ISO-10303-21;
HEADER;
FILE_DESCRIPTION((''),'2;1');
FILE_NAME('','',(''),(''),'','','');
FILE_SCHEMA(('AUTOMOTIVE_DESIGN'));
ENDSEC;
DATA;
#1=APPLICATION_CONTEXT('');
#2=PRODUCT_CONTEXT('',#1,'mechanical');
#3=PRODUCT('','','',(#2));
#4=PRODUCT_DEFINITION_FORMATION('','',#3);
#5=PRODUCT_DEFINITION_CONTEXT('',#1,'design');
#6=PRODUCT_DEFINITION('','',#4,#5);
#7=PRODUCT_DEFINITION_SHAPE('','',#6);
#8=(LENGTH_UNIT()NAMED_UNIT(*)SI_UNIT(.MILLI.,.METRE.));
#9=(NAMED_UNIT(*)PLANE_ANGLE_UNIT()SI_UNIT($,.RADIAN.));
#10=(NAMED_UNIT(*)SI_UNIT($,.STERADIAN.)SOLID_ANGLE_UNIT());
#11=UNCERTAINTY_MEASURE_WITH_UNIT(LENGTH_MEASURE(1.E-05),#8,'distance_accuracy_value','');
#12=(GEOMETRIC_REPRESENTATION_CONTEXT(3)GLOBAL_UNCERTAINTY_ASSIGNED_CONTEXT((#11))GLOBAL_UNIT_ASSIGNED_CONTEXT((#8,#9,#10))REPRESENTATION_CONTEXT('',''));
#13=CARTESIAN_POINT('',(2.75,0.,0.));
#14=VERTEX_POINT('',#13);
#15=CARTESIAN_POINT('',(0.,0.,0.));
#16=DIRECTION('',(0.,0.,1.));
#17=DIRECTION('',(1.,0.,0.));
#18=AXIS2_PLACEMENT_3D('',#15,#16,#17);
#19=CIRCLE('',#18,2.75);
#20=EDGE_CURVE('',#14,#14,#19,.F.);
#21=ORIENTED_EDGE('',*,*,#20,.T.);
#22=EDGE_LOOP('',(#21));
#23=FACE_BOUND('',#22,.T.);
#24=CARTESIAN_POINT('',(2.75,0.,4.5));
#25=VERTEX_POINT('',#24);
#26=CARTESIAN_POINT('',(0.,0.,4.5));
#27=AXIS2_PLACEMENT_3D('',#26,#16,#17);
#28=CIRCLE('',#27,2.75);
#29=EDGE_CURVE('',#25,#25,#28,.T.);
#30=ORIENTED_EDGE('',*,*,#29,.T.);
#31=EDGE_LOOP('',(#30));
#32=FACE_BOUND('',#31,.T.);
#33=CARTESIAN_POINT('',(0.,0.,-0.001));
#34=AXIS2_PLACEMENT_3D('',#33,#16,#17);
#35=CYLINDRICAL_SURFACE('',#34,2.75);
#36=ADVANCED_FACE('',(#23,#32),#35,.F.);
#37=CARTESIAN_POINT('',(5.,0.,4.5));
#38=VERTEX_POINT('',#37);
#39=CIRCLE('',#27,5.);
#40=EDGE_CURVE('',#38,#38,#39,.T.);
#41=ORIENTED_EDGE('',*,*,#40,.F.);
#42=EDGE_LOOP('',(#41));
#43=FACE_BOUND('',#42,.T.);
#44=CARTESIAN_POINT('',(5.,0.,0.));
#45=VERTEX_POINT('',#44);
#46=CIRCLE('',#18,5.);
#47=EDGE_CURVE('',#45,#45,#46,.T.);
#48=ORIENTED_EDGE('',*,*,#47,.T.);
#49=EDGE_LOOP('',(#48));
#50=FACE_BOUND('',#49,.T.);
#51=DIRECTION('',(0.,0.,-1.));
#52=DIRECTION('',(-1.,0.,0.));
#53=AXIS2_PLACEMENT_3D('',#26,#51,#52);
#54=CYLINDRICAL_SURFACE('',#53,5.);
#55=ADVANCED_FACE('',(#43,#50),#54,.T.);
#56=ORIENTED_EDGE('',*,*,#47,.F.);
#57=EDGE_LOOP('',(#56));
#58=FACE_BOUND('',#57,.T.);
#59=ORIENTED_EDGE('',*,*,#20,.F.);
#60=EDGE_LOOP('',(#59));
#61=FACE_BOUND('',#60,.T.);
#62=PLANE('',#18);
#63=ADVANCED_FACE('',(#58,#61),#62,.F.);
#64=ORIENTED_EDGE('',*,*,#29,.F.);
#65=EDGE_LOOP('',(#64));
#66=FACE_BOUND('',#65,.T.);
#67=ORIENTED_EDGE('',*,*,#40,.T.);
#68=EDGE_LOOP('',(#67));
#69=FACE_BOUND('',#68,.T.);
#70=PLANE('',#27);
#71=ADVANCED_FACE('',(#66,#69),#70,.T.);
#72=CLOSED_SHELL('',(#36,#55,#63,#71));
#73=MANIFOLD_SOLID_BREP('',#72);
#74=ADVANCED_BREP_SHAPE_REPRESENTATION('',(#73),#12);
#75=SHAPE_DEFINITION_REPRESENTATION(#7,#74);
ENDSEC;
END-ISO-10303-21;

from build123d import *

# Parameters (mm, degrees)
SCHIZZO1_R                   = 5
ESTRUSIONE_ESTRUSIONE1_DEPTH = 4.5
TAGLIO_ESTRUSIONE1_REACH     = 6.5
SCHIZZO3_R                   = 2.75


with BuildPart() as part:
    # Schizzo1 → Estrusione-Estrusione1 (new body)
    with BuildSketch(Plane.XY):
        Circle(SCHIZZO1_R)
    extrude(amount=ESTRUSIONE_ESTRUSIONE1_DEPTH)

    # Schizzo3 → Taglio-Estrusione1 (cut, up to next)
    with BuildSketch(Plane.XY.offset(4.5), mode=Mode.PRIVATE) as taglio_estrusione1_sk1:
        Circle(SCHIZZO3_R)
    taglio_estrusione1_tool1 = extrude(taglio_estrusione1_sk1.sketch, amount=-TAGLIO_ESTRUSIONE1_REACH, mode=Mode.PRIVATE) & part.part
    add(taglio_estrusione1_tool1.solids().sort_by_distance((0, 0, 4.5))[0], mode=Mode.SUBTRACT)


solid = part.part
